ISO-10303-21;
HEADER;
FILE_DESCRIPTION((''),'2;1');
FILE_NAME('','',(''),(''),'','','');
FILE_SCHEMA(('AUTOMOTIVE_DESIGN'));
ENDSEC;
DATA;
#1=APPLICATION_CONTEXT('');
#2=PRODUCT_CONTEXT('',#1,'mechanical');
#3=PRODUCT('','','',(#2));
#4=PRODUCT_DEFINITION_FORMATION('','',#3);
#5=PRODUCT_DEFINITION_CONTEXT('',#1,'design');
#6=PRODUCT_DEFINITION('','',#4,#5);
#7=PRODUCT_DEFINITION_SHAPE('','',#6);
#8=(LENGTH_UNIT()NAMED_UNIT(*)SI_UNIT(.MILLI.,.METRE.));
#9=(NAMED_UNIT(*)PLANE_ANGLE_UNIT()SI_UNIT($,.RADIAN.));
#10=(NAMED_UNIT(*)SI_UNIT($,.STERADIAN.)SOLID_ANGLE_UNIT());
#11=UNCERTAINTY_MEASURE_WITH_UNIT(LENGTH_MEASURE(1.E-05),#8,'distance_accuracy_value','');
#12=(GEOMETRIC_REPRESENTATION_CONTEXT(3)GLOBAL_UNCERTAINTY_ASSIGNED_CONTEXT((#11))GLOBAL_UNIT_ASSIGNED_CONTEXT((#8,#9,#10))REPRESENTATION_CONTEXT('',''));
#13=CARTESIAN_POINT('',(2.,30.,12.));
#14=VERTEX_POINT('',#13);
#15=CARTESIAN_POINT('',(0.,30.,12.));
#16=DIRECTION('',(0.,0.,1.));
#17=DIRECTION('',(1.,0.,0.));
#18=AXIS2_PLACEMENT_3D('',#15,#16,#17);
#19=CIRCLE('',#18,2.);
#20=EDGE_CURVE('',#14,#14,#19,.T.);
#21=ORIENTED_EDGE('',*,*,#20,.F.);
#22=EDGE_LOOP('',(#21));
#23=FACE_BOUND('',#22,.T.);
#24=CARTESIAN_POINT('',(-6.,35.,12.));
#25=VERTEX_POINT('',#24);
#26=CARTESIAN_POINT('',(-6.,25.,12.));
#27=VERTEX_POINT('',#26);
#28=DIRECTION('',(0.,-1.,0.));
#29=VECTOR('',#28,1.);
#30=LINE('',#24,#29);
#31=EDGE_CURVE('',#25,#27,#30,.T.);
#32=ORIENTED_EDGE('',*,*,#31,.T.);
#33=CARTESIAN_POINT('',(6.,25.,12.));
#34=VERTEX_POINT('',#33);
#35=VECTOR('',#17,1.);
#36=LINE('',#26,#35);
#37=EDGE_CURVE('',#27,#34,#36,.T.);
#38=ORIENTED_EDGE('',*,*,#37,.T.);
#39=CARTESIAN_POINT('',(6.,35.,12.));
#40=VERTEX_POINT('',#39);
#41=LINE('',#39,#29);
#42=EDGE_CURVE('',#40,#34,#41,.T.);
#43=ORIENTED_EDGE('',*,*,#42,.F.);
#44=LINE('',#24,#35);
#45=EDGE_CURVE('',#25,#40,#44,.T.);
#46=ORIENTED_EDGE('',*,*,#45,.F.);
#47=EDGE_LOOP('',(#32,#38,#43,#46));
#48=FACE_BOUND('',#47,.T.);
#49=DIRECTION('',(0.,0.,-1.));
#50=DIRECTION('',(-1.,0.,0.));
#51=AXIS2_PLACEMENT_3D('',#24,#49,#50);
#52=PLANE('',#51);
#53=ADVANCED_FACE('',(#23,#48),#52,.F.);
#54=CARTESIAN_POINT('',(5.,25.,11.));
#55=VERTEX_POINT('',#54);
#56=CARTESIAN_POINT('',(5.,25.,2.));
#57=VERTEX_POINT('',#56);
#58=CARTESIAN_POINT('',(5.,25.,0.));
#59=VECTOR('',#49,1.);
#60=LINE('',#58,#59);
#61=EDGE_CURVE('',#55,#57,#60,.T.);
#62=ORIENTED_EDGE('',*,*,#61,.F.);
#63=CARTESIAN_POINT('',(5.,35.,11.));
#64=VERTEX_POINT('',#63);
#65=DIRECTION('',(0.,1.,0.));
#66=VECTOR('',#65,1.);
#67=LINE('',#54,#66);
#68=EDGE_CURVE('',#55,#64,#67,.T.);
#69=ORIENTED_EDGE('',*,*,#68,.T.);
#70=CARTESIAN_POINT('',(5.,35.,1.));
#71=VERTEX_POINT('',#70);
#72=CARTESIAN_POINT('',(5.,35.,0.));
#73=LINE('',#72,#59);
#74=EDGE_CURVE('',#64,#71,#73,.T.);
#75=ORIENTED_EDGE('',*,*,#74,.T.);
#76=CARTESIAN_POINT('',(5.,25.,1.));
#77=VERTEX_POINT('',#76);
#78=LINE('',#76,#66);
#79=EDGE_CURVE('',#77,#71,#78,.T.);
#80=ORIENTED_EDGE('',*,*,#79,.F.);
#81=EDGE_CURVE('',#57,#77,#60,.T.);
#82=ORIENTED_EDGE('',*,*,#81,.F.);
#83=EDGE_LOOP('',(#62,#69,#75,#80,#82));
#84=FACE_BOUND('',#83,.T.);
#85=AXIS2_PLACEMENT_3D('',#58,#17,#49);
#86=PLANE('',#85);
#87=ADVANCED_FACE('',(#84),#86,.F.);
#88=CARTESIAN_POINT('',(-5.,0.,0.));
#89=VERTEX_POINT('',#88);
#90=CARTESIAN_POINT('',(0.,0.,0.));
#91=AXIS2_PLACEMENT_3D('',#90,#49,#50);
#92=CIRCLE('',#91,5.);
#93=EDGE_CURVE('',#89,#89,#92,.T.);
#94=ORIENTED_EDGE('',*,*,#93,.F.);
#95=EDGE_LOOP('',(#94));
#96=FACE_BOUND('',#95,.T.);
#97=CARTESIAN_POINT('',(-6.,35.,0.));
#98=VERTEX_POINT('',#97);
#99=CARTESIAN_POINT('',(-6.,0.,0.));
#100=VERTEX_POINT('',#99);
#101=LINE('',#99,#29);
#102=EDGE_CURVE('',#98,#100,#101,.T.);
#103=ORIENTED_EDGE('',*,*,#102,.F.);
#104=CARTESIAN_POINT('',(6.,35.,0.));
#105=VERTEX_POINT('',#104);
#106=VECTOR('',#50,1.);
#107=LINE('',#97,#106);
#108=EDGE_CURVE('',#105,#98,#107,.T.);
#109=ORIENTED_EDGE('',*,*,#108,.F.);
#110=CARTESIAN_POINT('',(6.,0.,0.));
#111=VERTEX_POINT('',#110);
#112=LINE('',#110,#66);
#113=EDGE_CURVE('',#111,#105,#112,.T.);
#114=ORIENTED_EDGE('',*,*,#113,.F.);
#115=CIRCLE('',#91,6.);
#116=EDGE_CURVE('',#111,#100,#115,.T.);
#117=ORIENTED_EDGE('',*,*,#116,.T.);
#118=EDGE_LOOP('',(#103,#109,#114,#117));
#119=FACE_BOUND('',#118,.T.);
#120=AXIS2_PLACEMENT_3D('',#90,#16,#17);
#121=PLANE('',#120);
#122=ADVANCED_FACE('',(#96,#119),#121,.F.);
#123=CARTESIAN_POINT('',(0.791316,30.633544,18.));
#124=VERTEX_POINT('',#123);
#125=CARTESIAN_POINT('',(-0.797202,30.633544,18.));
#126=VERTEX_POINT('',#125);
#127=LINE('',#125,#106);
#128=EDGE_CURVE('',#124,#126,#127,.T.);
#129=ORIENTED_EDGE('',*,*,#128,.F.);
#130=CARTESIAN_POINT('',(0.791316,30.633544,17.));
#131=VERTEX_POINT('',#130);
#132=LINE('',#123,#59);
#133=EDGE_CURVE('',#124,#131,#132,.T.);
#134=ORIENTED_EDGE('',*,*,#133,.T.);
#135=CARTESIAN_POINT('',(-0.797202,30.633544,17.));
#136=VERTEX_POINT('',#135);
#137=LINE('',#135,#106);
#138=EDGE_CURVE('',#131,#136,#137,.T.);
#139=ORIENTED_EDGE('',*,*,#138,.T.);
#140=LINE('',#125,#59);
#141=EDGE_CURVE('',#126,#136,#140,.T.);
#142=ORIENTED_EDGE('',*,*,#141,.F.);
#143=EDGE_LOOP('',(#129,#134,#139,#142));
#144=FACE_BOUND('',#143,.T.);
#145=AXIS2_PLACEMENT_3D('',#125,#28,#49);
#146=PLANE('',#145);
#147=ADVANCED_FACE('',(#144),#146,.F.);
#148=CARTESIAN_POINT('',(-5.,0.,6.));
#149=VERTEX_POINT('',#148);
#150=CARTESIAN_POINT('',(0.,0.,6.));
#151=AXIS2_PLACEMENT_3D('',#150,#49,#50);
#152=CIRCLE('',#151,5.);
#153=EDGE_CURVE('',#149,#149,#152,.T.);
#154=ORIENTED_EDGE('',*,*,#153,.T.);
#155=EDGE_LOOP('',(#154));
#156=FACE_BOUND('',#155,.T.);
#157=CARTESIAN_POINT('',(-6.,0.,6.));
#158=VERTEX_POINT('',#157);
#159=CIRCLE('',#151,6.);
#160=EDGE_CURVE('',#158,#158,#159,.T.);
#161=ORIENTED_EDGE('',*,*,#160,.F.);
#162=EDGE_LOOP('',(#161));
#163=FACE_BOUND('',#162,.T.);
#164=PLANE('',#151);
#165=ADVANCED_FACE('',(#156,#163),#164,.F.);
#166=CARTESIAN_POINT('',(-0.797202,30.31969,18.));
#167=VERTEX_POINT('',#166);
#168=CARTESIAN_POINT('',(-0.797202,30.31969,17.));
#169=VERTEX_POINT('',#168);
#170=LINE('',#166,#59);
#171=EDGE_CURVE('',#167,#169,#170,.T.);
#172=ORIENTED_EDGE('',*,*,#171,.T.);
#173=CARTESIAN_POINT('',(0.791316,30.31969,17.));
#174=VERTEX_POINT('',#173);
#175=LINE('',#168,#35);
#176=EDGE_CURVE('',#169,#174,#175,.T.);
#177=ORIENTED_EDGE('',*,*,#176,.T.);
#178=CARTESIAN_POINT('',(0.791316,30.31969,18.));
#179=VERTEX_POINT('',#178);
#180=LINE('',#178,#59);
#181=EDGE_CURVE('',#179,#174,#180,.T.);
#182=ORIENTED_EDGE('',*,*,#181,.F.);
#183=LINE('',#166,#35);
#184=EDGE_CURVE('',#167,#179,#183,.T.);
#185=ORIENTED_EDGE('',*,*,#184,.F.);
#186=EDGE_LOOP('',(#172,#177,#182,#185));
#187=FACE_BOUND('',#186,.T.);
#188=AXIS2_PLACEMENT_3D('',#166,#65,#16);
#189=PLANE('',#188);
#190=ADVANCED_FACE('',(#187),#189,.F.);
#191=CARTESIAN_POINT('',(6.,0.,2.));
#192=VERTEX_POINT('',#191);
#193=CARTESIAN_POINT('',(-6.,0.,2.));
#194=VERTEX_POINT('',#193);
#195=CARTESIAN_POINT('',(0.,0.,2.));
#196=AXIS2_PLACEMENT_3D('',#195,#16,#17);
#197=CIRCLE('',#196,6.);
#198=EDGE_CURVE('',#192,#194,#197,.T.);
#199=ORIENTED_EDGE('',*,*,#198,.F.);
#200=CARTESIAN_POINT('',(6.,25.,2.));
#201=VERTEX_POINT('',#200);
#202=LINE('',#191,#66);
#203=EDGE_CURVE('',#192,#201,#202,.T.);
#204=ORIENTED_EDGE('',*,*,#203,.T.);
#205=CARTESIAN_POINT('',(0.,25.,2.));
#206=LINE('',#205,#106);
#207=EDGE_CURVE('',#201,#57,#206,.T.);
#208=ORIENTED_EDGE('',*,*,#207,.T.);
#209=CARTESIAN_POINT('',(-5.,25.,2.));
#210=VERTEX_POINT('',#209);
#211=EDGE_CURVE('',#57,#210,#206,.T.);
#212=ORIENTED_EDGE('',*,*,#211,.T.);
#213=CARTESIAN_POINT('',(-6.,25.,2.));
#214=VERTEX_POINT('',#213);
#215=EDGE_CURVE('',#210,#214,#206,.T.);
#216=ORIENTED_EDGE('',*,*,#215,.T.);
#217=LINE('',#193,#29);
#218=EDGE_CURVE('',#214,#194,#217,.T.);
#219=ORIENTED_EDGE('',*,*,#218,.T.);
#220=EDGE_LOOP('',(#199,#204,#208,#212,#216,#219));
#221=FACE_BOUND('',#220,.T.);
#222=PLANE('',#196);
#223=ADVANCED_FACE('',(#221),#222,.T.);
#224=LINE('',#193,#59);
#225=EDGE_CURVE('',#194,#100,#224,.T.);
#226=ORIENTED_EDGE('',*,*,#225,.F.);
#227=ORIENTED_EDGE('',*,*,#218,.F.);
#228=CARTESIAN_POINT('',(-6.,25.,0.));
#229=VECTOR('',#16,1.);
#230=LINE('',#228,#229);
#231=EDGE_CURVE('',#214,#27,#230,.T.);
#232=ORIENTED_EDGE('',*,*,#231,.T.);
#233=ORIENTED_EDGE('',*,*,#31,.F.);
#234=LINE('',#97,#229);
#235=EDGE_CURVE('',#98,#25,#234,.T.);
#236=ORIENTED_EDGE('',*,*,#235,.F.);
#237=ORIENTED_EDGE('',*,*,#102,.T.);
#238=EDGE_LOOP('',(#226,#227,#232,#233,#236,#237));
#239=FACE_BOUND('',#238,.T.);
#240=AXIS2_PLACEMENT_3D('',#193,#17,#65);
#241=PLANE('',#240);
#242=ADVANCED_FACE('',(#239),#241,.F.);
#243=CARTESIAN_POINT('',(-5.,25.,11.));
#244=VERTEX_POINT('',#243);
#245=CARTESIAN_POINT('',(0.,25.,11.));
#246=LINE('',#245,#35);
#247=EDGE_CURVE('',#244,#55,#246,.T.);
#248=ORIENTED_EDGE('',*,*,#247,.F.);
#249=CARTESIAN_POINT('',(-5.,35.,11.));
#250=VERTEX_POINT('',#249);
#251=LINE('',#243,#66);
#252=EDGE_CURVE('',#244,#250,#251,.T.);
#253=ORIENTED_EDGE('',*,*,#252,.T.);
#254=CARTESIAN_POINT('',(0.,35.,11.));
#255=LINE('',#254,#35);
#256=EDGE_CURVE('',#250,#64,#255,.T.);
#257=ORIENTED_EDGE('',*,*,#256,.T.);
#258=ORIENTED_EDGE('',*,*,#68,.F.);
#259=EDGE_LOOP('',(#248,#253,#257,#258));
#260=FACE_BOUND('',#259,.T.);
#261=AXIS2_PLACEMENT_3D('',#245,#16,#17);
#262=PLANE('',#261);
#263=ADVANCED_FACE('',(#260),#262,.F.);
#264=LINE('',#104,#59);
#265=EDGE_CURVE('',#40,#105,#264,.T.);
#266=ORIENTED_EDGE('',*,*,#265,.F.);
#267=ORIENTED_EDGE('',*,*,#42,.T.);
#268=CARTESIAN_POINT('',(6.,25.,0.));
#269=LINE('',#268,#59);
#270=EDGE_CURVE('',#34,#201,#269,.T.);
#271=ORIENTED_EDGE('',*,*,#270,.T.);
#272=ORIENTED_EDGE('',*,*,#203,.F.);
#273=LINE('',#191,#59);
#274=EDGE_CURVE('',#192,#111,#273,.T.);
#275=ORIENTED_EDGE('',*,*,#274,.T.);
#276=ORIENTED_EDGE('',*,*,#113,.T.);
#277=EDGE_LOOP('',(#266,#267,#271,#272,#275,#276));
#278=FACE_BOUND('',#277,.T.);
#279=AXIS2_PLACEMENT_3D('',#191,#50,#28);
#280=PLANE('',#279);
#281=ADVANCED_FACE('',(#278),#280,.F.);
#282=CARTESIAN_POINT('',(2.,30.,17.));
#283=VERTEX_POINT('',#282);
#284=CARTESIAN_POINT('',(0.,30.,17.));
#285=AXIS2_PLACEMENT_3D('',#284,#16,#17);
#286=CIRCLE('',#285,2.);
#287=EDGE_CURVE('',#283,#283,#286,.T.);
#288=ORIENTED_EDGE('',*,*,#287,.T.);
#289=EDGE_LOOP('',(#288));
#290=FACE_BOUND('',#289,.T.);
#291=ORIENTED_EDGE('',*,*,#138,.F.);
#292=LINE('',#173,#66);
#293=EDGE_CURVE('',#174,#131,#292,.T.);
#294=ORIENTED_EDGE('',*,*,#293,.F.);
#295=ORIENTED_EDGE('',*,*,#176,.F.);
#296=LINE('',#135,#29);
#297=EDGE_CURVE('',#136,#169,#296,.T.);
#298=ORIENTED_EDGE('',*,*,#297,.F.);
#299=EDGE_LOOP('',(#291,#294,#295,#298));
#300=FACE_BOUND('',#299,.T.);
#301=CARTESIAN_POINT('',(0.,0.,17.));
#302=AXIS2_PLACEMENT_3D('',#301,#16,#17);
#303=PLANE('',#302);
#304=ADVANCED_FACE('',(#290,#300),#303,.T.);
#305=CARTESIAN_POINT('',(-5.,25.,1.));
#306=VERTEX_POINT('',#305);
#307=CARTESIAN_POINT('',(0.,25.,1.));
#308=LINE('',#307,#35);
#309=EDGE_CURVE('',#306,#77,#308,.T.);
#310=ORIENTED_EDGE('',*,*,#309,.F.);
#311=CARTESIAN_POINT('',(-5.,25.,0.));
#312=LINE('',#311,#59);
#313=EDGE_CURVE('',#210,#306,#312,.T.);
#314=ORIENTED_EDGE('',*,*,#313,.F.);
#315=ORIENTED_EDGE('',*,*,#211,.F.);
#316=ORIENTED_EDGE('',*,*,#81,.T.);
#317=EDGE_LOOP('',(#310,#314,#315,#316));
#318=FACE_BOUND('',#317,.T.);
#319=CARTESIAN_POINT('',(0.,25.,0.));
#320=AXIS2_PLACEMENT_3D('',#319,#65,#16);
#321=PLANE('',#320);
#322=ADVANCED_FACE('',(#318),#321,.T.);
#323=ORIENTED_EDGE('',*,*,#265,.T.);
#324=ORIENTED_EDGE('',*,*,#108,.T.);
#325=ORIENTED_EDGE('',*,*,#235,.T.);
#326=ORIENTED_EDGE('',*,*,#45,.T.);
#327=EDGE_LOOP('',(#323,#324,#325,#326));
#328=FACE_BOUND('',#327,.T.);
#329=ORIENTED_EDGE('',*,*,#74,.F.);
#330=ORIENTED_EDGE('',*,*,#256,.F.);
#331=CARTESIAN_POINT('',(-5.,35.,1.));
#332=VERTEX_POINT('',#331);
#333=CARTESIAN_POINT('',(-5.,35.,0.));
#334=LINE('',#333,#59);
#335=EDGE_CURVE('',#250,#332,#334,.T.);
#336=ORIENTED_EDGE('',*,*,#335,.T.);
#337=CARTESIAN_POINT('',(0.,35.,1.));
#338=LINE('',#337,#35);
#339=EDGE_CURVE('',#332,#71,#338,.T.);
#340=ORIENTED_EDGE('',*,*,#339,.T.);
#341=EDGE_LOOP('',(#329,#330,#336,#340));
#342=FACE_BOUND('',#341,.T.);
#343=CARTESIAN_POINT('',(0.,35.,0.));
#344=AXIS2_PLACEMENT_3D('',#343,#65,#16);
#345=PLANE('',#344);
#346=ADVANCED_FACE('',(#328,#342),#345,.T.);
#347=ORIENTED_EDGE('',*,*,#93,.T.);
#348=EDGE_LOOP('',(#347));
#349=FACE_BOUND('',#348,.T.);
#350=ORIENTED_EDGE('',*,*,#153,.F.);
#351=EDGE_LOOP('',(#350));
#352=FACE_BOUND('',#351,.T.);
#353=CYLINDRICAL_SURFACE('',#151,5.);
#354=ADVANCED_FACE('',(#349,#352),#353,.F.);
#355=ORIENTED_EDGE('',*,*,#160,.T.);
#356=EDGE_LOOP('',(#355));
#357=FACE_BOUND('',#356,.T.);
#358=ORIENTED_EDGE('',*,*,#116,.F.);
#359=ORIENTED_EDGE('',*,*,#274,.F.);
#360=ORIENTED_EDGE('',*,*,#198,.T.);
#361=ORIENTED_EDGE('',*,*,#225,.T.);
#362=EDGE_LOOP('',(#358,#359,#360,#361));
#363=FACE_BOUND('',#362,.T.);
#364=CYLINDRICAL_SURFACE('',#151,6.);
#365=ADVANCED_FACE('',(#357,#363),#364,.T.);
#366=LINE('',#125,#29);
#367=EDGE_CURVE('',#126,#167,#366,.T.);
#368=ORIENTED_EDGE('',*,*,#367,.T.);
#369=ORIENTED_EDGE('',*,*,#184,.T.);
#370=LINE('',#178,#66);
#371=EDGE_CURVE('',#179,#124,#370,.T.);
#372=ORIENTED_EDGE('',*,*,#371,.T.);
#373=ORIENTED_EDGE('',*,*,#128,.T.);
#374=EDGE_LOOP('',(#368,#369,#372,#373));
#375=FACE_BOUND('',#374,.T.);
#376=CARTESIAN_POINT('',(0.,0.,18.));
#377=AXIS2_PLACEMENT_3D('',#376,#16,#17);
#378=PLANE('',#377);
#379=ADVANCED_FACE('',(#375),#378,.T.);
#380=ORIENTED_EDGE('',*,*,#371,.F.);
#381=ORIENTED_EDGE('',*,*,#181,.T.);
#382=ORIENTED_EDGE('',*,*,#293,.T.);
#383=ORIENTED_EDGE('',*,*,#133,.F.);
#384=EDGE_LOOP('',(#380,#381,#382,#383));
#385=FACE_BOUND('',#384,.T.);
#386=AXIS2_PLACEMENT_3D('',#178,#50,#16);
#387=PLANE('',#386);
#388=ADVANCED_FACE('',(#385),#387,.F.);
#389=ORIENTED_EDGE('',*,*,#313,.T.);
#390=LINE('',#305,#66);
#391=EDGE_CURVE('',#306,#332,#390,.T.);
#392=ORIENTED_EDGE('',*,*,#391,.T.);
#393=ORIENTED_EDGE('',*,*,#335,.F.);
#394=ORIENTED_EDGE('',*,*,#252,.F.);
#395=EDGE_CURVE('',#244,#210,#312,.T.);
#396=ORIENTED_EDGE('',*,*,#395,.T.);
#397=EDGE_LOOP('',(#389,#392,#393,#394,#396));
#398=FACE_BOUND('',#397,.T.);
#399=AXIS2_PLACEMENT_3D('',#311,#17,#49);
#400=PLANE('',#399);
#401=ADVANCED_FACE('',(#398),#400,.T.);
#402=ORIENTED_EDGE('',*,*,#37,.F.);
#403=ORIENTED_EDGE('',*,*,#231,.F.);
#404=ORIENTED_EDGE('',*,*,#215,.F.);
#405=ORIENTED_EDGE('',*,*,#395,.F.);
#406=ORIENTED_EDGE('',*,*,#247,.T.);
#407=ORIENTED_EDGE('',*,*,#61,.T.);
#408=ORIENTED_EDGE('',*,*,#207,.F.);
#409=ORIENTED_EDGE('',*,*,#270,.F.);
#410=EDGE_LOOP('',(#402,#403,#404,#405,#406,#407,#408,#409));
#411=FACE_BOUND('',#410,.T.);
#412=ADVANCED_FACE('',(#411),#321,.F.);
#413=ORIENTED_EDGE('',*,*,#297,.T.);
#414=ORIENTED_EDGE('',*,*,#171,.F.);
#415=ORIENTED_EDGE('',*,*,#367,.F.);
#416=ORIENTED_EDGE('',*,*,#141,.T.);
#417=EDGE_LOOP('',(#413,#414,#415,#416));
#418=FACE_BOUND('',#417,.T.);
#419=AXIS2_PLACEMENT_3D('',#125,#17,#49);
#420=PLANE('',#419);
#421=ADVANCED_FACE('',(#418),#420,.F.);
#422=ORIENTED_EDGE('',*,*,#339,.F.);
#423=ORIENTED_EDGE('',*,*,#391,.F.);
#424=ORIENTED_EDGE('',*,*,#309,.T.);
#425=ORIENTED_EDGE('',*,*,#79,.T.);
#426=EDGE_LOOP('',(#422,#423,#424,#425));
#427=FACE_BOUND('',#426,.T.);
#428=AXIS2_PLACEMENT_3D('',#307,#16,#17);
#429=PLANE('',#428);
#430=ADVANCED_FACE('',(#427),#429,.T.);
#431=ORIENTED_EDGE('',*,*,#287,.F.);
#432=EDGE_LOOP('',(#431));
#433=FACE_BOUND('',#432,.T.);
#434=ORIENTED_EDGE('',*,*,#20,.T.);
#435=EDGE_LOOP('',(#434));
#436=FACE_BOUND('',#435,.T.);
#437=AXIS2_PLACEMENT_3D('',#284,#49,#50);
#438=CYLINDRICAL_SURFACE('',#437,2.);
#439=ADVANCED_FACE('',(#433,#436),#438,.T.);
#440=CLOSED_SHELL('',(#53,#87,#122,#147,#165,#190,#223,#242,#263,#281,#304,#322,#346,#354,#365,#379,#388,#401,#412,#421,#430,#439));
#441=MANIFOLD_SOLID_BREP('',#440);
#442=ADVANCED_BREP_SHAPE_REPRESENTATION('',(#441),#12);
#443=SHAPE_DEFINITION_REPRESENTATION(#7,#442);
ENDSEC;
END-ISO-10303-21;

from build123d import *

# Parameters (mm, degrees)
EXTRUDE_1_DEPTH     = 2
SKETCH_4_R          = 6
SKETCH_4_R_2        = 5
EXTRUDE_2_DEPTH     = 6
SKETCH_5_W          = 12
SKETCH_5_H          = 12
EXTRUDE_3_DEPTH     = 10
CUT_EXTRUDE_1_DEPTH = 10
EXTRUDE_4_DEPTH     = 5
SKETCH_9_W          = 1.588517845
SKETCH_9_H          = 0.313853782
EXTRUDE_6_DEPTH     = 1


with BuildPart() as part:
    # 草图1 → 凸台-拉伸1 (new body)
    with BuildSketch(Plane.XY):
        with BuildLine():
            ThreePointArc((-6, 0), (0, 6), (6, 0))
            Line((6, 0), (6, 25))
            Line((6, 25), (-6, 25))
            Line((-6, 25), (-6, 0))
        make_face()
    extrude(amount=EXTRUDE_1_DEPTH)

    # 草图4 → 凸台-拉伸2 (add)
    with BuildSketch(Plane(origin=(0, 0, 0), x_dir=(-1, 0, 0), z_dir=(0, 0, -1))):
        Circle(SKETCH_4_R)
        Circle(SKETCH_4_R_2, mode=Mode.SUBTRACT)
    extrude(amount=-EXTRUDE_2_DEPTH)

    # 草图5 → 凸台-拉伸3 (add)
    with BuildSketch(Plane(origin=(0, 25, 0), x_dir=(1, 0, 0), z_dir=(0, 1, 0))):
        with Locations((0, -6)):
            Rectangle(SKETCH_5_W, SKETCH_5_H)
    extrude(amount=EXTRUDE_3_DEPTH)

    # 草图6 → 切除-拉伸1 (cut)
    with BuildSketch(Plane(origin=(0, 35, 0), x_dir=(1, 0, 0), z_dir=(0, 1, 0))):
        Polygon((5, -1), (-5, -1), (5, -11), align=None)
        Polygon((5, -11), (-5, -1), (-5, -11), align=None)
    extrude(amount=-CUT_EXTRUDE_1_DEPTH, mode=Mode.SUBTRACT)

    # 草图7 → 凸台-拉伸4 (add)
    with BuildSketch(Plane.XY.offset(12)):
        with BuildLine():
            ThreePointArc((2, 30), (0.680850528, 31.880543155), (-1.536442559, 31.280368799))
            Line((-1.536442559, 31.280368799), (1.536442559, 28.719631201))
            ThreePointArc((1.536442559, 28.719631201), (1.880543155, 29.319149472), (2, 30))
        make_face()
        with BuildLine():
            Line((1.536442559, 28.719631201), (-1.536442559, 31.280368799))
            ThreePointArc((-1.536442559, 31.280368799), (-1.280368799, 28.463557441), (1.536442559, 28.719631201))
        make_face()
    extrude(amount=EXTRUDE_4_DEPTH)

    # 草图9 → 凸台-拉伸6 (add)
    with BuildSketch(Plane.XY.offset(17)):
        with Locations((-0.002943276, 30.476616651)):
            Rectangle(SKETCH_9_W, SKETCH_9_H)
    extrude(amount=EXTRUDE_6_DEPTH)


solid = part.part
